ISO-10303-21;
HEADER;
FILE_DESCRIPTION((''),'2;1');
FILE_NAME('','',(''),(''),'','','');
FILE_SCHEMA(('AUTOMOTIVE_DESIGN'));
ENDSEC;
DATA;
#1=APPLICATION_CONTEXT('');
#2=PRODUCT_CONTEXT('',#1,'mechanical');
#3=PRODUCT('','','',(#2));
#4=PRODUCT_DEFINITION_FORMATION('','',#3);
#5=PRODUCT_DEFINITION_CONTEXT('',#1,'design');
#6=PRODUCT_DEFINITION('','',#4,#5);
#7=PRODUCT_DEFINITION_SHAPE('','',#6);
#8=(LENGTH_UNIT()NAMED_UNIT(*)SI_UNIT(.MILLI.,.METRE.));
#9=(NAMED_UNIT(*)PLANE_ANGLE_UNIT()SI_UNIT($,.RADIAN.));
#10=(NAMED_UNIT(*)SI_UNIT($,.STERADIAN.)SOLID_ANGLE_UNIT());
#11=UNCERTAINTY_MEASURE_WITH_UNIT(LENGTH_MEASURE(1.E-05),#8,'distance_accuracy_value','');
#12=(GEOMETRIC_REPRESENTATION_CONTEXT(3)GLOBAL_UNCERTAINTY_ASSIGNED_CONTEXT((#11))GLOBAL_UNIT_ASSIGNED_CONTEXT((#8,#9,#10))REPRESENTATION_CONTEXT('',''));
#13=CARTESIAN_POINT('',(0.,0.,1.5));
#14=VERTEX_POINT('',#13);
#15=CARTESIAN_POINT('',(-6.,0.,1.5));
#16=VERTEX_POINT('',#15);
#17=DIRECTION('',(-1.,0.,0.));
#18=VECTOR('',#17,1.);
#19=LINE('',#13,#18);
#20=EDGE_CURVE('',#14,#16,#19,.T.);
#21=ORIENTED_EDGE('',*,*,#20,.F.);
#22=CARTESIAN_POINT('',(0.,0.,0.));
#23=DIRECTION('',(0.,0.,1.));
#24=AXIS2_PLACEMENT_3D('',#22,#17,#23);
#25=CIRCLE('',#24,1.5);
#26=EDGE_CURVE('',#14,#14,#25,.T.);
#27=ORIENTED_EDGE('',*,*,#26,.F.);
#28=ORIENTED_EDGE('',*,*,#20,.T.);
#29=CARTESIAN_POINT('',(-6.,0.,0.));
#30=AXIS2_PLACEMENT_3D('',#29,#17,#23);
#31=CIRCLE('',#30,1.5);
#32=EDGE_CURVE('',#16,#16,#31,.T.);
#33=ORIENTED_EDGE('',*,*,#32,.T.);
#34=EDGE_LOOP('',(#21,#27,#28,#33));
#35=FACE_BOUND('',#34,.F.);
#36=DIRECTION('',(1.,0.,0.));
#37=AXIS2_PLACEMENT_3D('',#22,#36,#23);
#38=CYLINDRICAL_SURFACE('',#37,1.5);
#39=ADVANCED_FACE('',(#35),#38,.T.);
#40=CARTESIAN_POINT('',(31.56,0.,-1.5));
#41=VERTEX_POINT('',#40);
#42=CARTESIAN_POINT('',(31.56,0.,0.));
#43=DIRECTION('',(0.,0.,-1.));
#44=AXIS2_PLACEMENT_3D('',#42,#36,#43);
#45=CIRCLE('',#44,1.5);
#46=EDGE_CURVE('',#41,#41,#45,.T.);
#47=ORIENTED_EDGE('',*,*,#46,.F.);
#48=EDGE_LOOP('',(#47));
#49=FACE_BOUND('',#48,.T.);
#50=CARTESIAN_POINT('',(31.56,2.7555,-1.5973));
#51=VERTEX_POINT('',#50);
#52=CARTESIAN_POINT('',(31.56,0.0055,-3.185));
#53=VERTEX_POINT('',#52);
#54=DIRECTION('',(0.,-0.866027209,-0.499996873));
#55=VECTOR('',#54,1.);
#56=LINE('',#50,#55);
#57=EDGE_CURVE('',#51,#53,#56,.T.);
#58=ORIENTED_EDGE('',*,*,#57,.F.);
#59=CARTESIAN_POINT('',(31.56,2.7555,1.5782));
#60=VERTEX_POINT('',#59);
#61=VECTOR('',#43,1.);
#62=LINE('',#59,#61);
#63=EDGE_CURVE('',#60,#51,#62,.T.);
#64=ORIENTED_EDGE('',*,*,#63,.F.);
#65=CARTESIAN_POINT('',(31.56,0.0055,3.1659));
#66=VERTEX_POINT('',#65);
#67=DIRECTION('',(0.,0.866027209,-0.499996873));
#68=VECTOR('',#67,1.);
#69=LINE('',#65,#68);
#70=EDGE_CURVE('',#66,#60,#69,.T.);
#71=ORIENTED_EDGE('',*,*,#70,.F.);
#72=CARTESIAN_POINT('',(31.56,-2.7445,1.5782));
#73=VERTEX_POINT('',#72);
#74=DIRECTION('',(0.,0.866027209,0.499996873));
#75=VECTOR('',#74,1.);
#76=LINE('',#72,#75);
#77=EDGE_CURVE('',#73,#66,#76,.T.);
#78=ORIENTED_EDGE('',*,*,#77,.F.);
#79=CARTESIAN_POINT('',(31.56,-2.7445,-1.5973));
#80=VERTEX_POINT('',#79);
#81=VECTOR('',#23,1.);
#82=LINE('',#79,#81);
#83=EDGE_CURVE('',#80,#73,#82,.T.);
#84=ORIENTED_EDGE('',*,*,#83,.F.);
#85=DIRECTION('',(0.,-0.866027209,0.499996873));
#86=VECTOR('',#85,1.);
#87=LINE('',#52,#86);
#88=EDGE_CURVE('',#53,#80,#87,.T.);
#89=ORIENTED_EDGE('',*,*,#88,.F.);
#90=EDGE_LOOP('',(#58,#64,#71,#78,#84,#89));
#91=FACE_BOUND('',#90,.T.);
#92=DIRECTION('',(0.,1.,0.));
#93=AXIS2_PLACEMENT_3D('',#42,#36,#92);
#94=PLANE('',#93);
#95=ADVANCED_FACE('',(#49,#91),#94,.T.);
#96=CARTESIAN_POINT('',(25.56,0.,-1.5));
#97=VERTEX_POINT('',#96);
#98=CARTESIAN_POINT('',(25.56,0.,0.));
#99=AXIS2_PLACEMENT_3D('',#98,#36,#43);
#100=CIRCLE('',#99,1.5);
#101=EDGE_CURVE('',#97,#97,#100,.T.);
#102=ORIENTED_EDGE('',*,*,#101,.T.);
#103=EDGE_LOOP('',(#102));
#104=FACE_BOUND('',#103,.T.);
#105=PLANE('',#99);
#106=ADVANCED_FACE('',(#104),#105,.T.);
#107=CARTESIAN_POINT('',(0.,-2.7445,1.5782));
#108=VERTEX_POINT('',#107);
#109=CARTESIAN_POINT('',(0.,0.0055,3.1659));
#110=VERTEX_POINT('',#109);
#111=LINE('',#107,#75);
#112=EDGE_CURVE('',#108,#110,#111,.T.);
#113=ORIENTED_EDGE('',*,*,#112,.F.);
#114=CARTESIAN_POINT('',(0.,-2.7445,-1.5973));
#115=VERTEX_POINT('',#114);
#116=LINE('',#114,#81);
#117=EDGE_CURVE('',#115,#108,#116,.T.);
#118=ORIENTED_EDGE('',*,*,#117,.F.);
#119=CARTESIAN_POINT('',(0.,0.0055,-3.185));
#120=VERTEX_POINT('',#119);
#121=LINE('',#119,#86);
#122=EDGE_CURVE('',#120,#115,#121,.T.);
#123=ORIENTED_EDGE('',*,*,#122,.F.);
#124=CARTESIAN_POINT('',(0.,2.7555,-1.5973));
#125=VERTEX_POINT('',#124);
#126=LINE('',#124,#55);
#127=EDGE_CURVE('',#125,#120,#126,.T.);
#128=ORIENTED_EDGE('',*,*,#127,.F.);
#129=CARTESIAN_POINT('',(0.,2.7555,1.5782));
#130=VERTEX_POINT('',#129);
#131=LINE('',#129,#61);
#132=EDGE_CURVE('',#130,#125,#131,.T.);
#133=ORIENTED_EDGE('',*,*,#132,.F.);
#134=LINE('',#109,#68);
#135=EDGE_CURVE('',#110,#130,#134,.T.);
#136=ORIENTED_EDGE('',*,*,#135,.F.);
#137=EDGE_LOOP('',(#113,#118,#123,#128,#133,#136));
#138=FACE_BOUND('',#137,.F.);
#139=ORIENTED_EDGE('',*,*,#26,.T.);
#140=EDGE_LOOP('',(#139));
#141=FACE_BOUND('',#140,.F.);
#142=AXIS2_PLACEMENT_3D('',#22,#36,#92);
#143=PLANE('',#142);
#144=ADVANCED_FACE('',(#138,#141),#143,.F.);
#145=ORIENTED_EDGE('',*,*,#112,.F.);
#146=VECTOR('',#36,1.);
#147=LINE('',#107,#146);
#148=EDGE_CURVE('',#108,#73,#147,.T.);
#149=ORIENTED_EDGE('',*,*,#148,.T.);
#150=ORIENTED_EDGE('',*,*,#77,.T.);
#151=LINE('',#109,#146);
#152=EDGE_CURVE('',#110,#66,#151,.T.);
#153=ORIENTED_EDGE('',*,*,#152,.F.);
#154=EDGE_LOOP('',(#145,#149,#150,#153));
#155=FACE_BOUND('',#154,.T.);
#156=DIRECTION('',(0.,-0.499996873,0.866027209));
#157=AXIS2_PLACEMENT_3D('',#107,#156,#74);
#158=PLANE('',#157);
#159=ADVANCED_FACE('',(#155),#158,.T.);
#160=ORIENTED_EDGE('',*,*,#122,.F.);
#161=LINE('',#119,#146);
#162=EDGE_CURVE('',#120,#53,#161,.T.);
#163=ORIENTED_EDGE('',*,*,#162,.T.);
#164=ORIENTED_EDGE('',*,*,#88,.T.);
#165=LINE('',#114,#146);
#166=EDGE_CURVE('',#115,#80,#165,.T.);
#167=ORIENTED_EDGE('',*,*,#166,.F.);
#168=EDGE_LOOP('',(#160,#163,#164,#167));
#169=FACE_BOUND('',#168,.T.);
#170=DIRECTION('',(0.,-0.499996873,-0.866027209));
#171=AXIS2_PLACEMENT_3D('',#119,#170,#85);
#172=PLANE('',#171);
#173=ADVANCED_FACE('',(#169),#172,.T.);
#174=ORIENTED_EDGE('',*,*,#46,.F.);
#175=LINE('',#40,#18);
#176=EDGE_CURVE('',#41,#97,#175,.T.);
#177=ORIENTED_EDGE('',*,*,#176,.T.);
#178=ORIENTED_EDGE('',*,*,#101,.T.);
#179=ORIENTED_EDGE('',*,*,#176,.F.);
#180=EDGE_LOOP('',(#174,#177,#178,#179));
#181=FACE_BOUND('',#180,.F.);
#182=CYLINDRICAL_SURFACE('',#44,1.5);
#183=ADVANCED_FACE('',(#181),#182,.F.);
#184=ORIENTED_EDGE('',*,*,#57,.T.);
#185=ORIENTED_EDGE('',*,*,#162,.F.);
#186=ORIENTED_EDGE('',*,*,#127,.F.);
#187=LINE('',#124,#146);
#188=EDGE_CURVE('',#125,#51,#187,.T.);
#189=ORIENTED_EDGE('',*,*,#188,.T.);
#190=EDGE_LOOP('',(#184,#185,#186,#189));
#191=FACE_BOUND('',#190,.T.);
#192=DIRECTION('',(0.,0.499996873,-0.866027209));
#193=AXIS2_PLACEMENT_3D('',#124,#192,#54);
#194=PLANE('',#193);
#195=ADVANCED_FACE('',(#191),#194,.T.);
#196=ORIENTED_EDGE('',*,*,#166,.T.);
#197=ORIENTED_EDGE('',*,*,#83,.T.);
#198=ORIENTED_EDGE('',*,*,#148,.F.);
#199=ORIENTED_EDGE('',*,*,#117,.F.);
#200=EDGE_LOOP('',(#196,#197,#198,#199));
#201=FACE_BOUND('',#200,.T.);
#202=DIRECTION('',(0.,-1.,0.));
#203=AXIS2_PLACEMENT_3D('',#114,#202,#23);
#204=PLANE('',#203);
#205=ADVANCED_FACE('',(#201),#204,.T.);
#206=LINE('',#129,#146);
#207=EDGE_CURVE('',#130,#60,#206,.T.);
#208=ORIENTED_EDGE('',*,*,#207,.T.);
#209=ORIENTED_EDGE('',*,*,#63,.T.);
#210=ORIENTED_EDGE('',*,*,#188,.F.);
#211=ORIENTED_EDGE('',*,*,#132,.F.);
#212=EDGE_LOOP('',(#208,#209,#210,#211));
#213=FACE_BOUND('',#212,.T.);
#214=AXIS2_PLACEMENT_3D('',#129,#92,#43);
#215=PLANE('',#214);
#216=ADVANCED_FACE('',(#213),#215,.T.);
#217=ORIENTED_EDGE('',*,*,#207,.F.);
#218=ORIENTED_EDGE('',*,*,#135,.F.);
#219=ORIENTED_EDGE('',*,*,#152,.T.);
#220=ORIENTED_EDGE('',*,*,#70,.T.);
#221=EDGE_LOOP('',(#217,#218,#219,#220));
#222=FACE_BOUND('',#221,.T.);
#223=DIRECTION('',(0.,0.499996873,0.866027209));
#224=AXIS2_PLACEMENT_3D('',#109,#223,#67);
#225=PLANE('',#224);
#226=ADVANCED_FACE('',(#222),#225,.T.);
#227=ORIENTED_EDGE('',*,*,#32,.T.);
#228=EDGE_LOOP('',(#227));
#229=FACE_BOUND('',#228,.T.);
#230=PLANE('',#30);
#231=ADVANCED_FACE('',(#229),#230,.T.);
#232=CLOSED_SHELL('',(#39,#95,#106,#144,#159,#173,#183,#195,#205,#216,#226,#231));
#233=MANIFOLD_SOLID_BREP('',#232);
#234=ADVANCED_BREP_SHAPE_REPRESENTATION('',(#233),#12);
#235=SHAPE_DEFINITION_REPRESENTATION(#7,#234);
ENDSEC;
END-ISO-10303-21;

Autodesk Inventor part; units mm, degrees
ref_plane "YZ Plane" through (0, 0, 0) normal (1, 0, 0) x (0, 1, 0)
ref_plane "XZ Plane" through (0, 0, 0) normal (0, 1, 0) x (-1, 0, 0)
ref_plane "XY Plane" through (0, 0, 0) normal (0, 0, 1) x (1, 0, 0)
sketch "Sketch1" plane through (0, 0, 0) normal (1, 0, 0) x (0, 1, 0)
  line L0 (0.0055, 3.1659) -> (2.7555, 1.5782)
  line L1 (2.7555, 1.5782) -> (2.7555, -1.5973)
  line L2 (2.7555, -1.5973) -> (0.0055, -3.185)
  line L3 (0.0055, -3.185) -> (-2.7445, -1.5973)
  line L4 (-2.7445, -1.5973) -> (-2.7445, 1.5782)
  line L5 (-2.7445, 1.5782) -> (0.0055, 3.1659)
  point P0 (0.0055, -0.0095)
  dimension "d1" = 5.5
extrude "Extrusion1" add sketch "Sketch1" along normal blind 31.56
sketch "Sketch2" plane through (0, 0, 0) normal (-1, 0, 0) x (0, 0, 1)
  circle A0 centre (0, 0) radius 1.5
  dimension "d4" = 3
extrude "Extrusion2" add sketch "Sketch2" along normal blind 6
sketch "Sketch3" plane through (31.56, 0, 0) normal (1, 0, 0) x (0, 0, -1)
  circle A0 centre (0, 0) radius 1.5
  dimension "d7" = 3
extrude "Extrusion3" cut sketch "Sketch3" against normal blind 6
properties part number "UpperSpacer"
